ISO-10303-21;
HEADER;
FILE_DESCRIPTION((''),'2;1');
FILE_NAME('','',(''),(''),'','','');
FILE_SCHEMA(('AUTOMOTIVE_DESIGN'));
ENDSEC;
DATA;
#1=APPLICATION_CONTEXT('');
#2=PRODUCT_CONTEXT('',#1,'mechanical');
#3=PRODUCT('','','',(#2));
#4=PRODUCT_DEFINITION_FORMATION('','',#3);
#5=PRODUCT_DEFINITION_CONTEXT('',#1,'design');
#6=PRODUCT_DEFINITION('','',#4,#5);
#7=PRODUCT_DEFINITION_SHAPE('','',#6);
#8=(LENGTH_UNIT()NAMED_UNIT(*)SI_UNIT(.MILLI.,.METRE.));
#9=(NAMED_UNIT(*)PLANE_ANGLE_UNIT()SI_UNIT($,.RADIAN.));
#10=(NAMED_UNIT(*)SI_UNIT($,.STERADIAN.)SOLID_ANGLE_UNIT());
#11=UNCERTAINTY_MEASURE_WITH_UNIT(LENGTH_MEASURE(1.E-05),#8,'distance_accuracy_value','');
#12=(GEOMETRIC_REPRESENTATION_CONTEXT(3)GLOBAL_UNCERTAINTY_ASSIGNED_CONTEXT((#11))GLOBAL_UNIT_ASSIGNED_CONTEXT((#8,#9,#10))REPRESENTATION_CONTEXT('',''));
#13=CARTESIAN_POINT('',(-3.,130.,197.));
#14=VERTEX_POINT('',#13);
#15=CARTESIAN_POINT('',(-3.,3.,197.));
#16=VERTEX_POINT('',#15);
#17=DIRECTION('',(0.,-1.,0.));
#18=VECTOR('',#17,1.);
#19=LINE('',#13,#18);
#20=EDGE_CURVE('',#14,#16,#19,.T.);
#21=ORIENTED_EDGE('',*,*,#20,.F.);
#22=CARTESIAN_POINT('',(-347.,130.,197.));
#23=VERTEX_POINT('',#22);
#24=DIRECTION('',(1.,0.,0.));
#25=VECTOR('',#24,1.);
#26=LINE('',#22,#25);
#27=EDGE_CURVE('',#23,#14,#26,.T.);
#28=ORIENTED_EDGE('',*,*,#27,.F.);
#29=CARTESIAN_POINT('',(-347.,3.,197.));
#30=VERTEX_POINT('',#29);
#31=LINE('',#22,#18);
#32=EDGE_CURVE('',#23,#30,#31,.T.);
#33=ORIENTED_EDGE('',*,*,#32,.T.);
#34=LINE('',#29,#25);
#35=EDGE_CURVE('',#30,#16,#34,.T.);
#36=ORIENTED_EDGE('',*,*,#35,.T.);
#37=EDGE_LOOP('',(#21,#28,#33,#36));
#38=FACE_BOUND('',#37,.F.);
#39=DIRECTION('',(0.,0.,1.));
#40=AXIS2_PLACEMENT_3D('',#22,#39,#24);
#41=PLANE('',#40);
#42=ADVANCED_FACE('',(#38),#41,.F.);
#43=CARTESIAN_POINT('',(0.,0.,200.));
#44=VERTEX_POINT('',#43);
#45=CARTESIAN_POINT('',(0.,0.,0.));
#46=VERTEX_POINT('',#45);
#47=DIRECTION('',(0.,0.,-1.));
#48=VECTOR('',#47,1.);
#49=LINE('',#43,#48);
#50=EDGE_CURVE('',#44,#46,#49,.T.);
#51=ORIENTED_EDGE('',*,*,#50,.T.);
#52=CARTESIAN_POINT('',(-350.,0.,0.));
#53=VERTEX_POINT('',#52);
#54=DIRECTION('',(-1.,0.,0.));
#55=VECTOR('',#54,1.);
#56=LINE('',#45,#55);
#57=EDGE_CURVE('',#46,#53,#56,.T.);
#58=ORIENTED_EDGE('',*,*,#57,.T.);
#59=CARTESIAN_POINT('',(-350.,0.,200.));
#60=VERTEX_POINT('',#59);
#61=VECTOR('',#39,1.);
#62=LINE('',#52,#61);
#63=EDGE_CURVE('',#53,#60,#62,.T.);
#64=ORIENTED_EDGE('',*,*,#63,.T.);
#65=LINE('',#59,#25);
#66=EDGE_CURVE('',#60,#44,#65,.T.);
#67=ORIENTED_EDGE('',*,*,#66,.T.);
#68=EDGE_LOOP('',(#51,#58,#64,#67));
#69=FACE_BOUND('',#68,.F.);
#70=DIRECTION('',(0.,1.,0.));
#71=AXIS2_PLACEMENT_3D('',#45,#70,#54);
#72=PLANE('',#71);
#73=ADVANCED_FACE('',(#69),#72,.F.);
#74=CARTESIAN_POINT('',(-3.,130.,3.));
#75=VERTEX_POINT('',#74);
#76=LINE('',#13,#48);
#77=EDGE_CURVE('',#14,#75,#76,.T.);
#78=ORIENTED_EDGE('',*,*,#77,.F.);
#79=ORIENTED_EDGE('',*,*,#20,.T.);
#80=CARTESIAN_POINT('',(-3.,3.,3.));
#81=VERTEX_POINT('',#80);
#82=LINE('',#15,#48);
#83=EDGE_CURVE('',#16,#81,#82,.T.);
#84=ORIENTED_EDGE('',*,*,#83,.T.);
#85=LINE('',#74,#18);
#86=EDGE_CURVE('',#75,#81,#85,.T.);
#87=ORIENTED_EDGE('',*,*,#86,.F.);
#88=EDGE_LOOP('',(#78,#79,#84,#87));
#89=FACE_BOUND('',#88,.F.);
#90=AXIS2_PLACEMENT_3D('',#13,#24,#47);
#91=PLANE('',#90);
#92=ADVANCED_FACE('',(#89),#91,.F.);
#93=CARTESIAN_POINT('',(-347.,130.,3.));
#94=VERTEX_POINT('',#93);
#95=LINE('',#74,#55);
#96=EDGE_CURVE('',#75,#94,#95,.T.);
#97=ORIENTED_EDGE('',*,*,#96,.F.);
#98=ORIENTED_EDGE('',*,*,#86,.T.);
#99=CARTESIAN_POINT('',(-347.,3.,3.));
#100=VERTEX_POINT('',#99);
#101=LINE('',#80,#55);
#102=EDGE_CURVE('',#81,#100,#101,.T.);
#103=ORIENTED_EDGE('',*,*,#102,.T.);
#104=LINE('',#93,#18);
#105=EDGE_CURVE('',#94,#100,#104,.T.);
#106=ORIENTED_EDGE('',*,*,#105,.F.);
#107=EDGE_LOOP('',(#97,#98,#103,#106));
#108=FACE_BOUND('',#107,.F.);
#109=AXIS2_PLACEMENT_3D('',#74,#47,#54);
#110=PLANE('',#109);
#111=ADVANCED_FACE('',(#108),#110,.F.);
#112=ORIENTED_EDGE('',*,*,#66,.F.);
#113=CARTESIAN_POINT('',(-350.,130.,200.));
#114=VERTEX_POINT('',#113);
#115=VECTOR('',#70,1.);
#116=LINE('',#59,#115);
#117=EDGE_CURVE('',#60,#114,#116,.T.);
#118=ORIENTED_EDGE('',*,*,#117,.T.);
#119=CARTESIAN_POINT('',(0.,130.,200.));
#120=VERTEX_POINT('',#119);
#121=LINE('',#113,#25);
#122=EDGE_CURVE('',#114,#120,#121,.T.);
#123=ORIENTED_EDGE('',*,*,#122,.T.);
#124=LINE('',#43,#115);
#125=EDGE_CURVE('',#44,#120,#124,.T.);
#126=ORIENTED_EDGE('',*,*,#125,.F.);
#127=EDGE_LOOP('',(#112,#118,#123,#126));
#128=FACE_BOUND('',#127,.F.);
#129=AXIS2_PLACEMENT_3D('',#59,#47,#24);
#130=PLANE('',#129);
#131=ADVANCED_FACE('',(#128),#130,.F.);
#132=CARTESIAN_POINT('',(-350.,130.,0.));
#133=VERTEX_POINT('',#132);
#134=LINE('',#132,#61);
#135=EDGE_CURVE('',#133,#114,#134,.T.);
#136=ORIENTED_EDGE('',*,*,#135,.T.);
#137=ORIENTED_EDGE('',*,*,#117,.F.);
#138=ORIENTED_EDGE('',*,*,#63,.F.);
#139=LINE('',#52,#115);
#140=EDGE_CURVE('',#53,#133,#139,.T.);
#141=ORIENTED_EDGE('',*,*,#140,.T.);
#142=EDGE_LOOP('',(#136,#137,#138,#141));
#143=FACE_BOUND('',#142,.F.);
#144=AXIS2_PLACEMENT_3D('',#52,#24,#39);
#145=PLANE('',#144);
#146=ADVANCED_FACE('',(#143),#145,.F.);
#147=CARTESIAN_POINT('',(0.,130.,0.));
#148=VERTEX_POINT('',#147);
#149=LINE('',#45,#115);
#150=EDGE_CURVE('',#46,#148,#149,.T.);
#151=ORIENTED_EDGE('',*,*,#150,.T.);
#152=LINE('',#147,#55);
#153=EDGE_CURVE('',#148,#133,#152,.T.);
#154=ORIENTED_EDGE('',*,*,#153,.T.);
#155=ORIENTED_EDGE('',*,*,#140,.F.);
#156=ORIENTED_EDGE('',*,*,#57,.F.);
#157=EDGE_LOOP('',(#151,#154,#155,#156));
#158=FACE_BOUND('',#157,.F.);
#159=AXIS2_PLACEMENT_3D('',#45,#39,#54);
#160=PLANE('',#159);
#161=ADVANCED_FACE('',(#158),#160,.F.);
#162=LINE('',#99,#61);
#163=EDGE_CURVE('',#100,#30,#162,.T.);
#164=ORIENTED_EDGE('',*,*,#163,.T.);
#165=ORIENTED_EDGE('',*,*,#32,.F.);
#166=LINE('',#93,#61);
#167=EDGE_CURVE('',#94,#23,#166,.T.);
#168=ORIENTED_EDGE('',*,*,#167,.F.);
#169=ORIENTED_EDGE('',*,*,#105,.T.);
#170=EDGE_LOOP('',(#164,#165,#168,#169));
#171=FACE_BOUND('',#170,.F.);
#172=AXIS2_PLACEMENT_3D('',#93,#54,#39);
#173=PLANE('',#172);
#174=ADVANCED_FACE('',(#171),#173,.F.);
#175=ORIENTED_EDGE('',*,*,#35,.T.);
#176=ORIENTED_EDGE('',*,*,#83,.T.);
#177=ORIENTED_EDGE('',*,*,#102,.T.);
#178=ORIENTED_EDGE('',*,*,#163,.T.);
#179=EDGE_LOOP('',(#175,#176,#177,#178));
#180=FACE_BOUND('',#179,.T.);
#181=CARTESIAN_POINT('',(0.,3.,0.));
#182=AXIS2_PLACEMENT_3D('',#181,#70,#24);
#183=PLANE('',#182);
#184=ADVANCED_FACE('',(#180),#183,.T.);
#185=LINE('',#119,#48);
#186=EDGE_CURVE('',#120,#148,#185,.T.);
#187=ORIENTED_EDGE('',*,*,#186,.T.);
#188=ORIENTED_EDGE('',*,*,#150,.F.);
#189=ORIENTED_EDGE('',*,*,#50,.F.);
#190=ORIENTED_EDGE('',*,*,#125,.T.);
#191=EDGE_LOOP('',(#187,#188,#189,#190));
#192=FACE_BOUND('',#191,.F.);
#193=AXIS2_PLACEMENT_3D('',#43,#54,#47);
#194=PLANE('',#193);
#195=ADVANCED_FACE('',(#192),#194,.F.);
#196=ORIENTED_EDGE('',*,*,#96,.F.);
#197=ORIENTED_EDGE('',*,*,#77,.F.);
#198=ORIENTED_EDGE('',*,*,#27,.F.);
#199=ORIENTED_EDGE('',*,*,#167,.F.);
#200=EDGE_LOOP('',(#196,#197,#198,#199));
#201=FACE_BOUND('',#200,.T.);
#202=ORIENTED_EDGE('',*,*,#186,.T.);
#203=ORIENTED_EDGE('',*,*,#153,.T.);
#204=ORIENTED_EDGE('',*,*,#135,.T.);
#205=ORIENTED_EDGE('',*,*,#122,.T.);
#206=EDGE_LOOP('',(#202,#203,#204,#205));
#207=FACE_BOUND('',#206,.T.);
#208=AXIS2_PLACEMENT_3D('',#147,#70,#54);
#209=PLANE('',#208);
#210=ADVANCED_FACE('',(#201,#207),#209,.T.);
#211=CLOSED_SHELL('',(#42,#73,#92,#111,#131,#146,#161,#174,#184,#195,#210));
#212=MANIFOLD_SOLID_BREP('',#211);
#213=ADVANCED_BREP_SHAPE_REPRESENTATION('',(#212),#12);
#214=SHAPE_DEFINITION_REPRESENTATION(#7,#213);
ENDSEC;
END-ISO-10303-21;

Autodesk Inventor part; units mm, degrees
ref_plane "YZ Plane" through (0, 0, 0) normal (1, 0, 0) x (0, 1, 0)
ref_plane "XZ Plane" through (0, 0, 0) normal (0, 1, 0) x (-1, 0, 0)
ref_plane "XY Plane" through (0, 0, 0) normal (0, 0, 1) x (1, 0, 0)
sketch "Sketch1" plane through (0, 0, 0) normal (0, 1, 0) x (-1, 0, 0)
  line L0 (0, 0) -> (350, 0)
  line L1 (350, 0) -> (350, 200)
  line L2 (350, 200) -> (0, 200)
  line L3 (0, 200) -> (0, 0)
  dimension "d0" = 350
  dimension "d1" = 200
extrude "Extrusion1" add sketch "Sketch1" along normal blind 130
sketch "Sketch2" plane through (0, 130, 0) normal (0, 1, 0) x (1, 0, 0)
  line L0 (0, 0) -> (0, -3)
  line L1 (0, -3) -> (-3, -3)
  line L2 (-3, -3) -> (-347, -3)
  line L3 (-347, -3) -> (-347, -197)
  line L4 (-347, -197) -> (-3, -197)
  line L5 (-3, -197) -> (-3, -3)
  dimension "d4" = 3
  dimension "d5" = 3
  dimension "d6" = 344
  dimension "d7" = 194
extrude "Extrusion2" cut sketch "Sketch2" against normal blind 127
properties part number "containerofm2"
